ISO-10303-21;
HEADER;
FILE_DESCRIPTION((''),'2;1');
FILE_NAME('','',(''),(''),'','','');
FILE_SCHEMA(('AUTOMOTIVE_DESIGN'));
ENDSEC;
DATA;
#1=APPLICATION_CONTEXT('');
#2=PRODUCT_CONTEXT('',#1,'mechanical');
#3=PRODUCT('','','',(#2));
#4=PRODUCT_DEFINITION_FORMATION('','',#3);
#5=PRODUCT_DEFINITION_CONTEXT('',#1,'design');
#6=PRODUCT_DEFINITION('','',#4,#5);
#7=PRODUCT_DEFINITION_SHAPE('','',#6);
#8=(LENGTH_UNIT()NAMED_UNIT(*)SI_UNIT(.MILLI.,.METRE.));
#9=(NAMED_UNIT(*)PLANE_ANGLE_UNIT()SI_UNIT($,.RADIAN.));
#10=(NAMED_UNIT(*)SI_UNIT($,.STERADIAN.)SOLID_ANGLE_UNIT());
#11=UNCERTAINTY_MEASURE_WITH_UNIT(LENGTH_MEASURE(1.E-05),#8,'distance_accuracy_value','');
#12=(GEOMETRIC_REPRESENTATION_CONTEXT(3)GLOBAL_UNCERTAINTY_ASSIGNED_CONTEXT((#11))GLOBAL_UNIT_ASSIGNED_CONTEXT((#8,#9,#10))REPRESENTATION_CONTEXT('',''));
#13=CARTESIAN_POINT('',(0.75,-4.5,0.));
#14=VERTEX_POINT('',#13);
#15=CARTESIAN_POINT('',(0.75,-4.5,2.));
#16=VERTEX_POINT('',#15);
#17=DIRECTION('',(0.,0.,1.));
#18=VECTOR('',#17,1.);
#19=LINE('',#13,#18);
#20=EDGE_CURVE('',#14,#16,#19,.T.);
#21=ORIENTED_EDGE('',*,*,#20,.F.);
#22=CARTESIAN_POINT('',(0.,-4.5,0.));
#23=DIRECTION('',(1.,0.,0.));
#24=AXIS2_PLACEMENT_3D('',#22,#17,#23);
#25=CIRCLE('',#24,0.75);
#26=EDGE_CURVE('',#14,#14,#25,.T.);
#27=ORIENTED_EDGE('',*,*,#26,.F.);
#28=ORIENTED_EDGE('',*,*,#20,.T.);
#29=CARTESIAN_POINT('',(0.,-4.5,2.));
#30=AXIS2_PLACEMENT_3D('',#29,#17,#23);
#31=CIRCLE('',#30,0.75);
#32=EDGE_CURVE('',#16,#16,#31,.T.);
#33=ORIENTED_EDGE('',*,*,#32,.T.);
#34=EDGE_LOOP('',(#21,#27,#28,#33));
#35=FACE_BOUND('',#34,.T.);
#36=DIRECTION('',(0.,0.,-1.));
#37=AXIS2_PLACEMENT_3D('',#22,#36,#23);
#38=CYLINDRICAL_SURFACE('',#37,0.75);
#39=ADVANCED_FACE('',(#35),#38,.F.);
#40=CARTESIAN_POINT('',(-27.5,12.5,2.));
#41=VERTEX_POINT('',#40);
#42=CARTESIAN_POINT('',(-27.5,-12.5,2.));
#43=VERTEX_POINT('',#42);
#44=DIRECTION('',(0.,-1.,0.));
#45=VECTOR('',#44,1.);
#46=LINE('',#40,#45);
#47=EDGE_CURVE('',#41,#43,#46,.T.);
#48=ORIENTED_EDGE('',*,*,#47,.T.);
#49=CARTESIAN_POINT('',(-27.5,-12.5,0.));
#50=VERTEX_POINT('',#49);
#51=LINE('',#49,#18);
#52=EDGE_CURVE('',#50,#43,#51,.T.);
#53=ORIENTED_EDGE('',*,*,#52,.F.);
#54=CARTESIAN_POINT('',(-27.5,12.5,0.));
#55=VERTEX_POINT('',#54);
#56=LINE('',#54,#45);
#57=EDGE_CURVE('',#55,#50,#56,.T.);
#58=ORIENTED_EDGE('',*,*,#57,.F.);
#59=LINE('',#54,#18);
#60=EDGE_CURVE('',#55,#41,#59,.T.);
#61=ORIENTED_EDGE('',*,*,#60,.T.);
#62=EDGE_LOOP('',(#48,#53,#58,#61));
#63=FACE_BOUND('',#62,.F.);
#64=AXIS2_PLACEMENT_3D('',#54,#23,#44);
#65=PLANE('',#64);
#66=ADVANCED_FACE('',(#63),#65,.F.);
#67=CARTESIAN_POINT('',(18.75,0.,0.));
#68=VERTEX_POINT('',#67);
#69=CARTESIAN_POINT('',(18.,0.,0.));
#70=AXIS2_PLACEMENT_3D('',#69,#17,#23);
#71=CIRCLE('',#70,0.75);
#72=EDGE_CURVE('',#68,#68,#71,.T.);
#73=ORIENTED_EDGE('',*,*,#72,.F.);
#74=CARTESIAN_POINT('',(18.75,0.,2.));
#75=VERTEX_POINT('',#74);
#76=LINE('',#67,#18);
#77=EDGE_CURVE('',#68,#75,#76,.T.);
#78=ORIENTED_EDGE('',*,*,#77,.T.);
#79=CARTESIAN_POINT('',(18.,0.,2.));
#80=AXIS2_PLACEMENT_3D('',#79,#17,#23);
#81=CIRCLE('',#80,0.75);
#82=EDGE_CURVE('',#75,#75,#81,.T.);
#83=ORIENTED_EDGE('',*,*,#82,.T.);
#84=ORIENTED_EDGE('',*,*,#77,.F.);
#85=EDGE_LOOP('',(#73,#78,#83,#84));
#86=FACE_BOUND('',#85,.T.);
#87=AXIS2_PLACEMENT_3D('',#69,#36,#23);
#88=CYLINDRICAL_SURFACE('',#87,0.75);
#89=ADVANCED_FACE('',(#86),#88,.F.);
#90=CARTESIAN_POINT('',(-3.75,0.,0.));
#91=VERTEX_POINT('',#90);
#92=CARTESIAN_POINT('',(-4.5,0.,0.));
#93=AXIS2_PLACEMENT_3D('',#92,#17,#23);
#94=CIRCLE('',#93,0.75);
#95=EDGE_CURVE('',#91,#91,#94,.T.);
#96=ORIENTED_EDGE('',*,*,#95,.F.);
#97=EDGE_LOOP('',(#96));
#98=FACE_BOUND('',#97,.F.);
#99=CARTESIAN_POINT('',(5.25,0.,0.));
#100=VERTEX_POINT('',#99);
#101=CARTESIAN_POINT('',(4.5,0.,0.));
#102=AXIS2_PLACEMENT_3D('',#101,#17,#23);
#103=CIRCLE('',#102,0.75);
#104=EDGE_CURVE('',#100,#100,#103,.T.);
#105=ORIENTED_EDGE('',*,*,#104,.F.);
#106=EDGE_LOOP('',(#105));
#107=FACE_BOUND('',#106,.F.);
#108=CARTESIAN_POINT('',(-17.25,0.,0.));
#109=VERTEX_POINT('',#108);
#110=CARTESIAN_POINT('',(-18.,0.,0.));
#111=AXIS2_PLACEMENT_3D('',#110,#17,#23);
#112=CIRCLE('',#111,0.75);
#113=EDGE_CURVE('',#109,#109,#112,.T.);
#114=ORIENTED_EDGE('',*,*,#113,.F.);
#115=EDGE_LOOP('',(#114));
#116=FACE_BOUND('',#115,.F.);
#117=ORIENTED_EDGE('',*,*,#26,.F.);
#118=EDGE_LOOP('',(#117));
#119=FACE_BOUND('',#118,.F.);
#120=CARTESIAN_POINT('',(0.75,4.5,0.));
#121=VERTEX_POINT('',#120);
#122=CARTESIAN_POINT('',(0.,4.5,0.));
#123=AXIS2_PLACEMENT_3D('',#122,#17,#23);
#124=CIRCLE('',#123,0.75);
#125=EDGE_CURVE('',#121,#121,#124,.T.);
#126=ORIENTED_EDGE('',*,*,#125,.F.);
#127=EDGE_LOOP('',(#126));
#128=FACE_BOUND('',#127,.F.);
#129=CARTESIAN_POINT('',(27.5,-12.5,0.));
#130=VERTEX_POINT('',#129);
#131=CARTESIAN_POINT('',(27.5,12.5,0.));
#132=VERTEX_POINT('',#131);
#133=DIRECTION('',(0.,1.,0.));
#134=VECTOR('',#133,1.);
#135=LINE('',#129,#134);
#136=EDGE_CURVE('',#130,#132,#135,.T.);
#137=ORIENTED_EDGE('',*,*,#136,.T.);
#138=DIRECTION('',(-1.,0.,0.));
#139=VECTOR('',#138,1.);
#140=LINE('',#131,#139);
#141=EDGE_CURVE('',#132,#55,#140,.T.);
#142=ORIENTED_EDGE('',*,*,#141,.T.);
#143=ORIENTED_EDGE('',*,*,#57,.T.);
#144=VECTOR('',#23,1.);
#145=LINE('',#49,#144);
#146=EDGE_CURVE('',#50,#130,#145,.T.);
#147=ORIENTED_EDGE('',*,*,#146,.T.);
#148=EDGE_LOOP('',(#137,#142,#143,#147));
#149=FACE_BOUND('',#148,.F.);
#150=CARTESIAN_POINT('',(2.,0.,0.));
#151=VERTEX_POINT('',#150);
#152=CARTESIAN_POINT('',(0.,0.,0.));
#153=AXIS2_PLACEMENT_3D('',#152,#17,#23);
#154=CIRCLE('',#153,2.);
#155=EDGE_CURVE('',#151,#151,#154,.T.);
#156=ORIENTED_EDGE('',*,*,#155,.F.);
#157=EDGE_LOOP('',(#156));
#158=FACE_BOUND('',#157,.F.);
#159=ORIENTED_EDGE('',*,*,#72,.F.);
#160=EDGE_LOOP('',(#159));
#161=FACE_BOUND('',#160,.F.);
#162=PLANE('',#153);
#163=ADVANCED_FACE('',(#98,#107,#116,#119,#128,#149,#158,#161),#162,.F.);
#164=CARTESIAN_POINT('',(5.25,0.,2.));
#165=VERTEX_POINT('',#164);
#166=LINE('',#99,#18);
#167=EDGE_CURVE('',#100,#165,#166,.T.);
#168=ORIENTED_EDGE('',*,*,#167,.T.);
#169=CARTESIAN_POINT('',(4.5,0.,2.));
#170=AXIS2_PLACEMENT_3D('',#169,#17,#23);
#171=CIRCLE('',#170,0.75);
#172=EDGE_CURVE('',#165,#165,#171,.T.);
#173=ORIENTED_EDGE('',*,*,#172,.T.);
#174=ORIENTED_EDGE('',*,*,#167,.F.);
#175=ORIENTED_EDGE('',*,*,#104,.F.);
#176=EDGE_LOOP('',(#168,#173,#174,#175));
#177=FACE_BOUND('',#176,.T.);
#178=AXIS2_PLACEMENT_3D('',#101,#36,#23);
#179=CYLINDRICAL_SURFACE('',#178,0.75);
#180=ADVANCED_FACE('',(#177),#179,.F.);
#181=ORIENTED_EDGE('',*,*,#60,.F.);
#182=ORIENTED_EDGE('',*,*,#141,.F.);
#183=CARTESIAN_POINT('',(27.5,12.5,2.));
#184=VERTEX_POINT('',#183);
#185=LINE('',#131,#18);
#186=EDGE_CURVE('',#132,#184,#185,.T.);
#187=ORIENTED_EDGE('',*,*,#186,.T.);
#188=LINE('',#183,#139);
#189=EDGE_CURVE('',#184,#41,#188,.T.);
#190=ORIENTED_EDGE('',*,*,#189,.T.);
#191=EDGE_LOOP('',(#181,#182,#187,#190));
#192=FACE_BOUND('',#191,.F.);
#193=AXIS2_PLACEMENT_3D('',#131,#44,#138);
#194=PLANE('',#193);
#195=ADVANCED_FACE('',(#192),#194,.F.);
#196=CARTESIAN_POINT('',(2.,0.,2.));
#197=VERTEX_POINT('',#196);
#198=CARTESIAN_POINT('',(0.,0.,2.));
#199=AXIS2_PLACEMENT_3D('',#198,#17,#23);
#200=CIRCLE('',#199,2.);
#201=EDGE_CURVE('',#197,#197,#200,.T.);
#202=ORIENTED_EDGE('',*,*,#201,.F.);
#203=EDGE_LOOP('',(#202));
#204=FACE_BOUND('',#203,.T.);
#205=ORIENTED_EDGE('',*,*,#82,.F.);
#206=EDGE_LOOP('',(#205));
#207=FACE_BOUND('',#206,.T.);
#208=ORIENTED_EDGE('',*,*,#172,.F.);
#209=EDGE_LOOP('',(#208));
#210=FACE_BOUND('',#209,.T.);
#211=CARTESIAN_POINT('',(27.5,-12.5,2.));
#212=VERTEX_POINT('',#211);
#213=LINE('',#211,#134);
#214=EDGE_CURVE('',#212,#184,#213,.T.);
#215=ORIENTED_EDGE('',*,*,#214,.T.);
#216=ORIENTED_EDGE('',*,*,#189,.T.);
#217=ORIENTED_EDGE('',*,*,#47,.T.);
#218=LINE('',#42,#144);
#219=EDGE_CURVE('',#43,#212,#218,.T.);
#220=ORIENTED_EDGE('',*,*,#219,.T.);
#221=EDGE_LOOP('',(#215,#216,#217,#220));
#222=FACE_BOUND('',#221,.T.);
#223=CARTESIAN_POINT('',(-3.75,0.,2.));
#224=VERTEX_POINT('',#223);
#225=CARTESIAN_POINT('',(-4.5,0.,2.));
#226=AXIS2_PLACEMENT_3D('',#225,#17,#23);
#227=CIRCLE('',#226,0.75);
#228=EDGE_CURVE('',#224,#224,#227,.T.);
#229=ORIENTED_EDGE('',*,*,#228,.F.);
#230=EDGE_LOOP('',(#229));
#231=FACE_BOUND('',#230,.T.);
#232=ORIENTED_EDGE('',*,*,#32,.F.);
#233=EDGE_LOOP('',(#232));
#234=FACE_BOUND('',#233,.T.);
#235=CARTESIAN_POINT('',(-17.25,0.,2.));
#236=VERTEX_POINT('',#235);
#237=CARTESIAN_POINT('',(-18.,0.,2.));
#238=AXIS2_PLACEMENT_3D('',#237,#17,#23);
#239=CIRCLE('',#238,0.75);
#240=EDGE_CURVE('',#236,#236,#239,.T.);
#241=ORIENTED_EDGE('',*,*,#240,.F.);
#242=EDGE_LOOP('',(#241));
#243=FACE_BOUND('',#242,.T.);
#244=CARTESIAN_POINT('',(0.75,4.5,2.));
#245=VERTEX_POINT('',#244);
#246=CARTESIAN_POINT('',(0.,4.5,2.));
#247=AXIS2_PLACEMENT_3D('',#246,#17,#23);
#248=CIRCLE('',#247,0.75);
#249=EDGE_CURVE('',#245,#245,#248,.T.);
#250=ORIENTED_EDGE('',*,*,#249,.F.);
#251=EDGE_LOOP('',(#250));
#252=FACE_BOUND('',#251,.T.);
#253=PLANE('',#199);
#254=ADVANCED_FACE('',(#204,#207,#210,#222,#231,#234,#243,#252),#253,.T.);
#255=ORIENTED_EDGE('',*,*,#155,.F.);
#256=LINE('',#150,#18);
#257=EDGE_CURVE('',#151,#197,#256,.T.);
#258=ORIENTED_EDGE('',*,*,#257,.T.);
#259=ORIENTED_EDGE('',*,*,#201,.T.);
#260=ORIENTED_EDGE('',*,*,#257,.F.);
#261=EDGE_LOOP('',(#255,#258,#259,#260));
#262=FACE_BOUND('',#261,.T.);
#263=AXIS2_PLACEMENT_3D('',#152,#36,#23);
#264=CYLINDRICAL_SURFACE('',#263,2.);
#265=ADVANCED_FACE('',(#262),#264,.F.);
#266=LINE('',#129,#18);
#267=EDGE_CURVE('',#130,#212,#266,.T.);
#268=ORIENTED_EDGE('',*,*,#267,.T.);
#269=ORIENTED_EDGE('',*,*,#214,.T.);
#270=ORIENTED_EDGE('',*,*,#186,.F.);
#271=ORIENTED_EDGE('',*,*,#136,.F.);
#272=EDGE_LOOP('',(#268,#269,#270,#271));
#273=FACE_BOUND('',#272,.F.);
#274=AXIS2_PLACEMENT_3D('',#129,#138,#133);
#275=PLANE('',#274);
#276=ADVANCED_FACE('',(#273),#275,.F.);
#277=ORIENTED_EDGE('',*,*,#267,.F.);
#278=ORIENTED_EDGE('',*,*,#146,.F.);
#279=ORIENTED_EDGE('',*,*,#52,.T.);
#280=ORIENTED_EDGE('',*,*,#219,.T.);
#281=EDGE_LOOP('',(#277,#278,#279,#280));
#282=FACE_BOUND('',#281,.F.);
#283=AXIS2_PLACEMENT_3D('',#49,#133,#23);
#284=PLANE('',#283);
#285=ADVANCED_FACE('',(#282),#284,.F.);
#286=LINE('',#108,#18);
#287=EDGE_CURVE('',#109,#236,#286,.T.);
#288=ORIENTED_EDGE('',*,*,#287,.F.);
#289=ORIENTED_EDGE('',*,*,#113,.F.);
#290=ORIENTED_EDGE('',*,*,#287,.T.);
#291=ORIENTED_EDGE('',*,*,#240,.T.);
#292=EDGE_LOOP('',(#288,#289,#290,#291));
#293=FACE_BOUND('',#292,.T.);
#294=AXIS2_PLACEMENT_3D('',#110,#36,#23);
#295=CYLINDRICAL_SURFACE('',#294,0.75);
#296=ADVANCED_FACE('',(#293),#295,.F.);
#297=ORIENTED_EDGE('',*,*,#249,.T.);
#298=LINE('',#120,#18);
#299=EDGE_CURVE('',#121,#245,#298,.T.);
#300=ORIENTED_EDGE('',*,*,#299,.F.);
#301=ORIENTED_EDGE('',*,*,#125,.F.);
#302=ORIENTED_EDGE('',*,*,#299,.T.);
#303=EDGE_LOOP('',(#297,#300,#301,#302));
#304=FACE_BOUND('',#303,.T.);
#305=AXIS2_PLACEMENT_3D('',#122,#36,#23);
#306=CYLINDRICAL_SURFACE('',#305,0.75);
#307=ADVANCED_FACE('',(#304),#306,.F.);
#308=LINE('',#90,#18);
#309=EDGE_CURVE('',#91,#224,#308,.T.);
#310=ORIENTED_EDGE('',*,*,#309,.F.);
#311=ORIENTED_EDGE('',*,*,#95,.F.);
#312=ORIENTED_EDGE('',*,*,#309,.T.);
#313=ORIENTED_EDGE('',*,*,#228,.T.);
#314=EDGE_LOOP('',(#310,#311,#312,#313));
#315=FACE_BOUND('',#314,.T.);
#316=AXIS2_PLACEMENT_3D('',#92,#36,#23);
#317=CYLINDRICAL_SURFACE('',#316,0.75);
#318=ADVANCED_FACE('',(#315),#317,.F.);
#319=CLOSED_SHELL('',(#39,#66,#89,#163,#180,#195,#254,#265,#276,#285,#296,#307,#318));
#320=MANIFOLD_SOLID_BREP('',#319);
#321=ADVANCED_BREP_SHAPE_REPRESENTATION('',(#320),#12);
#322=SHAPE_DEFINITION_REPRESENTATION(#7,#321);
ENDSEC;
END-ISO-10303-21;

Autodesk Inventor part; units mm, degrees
ref_plane "YZ Plane" through (0, 0, 0) normal (1, 0, 0) x (0, 1, 0)
ref_plane "XZ Plane" through (0, 0, 0) normal (0, 1, 0) x (-1, 0, 0)
ref_plane "XY Plane" through (0, 0, 0) normal (0, 0, 1) x (1, 0, 0)
sketch "Boceto1" plane through (0, 0, 0) normal (0, 0, 1) x (1, 0, 0)
  line L0 (-27.5, -12.5) -> (27.5, -12.5)
  line L1 (27.5, -12.5) -> (27.5, 12.5)
  line L2 (27.5, 12.5) -> (-27.5, 12.5)
  line L3 (-27.5, 12.5) -> (-27.5, -12.5)
  line L4 (-27.5, -12.5) -> (27.5, 12.5) construction
  line L5 (27.5, -12.5) -> (-27.5, 12.5) construction
  circle A0 centre (0, 0) radius 2
  circle A1 centre (0, -4.5) radius 0.75
  circle A2 centre (0, 4.5) radius 0.75
  circle A3 centre (4.5, 0) radius 0.75
  circle A4 centre (-4.5, 0) radius 0.75
  line L6 (0, 0) -> (18, 0) construction
  line L7 (0, 0) -> (18, 0) construction
  circle A5 centre (-18, 0) radius 0.75
  circle A6 centre (18, 0) radius 0.75
  dimension "d0" = 55
  dimension "d1" = 25
  dimension "d2" = 4
  dimension "d4" = 1.5
  dimension "d8" = 1.5
  dimension "d9" = 1.5
  dimension "d10" = 1.5
  dimension "d15" = 1.5
  dimension "d16" = 1.5
extrude "Extrusión1" add sketch "Boceto1" along normal blind 2
sketch "Boceto2" plane through (0, 0, 0) normal (1, 0, 0) x (0, 1, 0)
  point P0 (-12.5, 0)
sketch "Boceto3" plane through (0, 0, 2) normal (0, 0, 1) x (1, 0, 0)
  point P0 (0, 0)
properties part number "frontal" material "Acero, galvanizado"
